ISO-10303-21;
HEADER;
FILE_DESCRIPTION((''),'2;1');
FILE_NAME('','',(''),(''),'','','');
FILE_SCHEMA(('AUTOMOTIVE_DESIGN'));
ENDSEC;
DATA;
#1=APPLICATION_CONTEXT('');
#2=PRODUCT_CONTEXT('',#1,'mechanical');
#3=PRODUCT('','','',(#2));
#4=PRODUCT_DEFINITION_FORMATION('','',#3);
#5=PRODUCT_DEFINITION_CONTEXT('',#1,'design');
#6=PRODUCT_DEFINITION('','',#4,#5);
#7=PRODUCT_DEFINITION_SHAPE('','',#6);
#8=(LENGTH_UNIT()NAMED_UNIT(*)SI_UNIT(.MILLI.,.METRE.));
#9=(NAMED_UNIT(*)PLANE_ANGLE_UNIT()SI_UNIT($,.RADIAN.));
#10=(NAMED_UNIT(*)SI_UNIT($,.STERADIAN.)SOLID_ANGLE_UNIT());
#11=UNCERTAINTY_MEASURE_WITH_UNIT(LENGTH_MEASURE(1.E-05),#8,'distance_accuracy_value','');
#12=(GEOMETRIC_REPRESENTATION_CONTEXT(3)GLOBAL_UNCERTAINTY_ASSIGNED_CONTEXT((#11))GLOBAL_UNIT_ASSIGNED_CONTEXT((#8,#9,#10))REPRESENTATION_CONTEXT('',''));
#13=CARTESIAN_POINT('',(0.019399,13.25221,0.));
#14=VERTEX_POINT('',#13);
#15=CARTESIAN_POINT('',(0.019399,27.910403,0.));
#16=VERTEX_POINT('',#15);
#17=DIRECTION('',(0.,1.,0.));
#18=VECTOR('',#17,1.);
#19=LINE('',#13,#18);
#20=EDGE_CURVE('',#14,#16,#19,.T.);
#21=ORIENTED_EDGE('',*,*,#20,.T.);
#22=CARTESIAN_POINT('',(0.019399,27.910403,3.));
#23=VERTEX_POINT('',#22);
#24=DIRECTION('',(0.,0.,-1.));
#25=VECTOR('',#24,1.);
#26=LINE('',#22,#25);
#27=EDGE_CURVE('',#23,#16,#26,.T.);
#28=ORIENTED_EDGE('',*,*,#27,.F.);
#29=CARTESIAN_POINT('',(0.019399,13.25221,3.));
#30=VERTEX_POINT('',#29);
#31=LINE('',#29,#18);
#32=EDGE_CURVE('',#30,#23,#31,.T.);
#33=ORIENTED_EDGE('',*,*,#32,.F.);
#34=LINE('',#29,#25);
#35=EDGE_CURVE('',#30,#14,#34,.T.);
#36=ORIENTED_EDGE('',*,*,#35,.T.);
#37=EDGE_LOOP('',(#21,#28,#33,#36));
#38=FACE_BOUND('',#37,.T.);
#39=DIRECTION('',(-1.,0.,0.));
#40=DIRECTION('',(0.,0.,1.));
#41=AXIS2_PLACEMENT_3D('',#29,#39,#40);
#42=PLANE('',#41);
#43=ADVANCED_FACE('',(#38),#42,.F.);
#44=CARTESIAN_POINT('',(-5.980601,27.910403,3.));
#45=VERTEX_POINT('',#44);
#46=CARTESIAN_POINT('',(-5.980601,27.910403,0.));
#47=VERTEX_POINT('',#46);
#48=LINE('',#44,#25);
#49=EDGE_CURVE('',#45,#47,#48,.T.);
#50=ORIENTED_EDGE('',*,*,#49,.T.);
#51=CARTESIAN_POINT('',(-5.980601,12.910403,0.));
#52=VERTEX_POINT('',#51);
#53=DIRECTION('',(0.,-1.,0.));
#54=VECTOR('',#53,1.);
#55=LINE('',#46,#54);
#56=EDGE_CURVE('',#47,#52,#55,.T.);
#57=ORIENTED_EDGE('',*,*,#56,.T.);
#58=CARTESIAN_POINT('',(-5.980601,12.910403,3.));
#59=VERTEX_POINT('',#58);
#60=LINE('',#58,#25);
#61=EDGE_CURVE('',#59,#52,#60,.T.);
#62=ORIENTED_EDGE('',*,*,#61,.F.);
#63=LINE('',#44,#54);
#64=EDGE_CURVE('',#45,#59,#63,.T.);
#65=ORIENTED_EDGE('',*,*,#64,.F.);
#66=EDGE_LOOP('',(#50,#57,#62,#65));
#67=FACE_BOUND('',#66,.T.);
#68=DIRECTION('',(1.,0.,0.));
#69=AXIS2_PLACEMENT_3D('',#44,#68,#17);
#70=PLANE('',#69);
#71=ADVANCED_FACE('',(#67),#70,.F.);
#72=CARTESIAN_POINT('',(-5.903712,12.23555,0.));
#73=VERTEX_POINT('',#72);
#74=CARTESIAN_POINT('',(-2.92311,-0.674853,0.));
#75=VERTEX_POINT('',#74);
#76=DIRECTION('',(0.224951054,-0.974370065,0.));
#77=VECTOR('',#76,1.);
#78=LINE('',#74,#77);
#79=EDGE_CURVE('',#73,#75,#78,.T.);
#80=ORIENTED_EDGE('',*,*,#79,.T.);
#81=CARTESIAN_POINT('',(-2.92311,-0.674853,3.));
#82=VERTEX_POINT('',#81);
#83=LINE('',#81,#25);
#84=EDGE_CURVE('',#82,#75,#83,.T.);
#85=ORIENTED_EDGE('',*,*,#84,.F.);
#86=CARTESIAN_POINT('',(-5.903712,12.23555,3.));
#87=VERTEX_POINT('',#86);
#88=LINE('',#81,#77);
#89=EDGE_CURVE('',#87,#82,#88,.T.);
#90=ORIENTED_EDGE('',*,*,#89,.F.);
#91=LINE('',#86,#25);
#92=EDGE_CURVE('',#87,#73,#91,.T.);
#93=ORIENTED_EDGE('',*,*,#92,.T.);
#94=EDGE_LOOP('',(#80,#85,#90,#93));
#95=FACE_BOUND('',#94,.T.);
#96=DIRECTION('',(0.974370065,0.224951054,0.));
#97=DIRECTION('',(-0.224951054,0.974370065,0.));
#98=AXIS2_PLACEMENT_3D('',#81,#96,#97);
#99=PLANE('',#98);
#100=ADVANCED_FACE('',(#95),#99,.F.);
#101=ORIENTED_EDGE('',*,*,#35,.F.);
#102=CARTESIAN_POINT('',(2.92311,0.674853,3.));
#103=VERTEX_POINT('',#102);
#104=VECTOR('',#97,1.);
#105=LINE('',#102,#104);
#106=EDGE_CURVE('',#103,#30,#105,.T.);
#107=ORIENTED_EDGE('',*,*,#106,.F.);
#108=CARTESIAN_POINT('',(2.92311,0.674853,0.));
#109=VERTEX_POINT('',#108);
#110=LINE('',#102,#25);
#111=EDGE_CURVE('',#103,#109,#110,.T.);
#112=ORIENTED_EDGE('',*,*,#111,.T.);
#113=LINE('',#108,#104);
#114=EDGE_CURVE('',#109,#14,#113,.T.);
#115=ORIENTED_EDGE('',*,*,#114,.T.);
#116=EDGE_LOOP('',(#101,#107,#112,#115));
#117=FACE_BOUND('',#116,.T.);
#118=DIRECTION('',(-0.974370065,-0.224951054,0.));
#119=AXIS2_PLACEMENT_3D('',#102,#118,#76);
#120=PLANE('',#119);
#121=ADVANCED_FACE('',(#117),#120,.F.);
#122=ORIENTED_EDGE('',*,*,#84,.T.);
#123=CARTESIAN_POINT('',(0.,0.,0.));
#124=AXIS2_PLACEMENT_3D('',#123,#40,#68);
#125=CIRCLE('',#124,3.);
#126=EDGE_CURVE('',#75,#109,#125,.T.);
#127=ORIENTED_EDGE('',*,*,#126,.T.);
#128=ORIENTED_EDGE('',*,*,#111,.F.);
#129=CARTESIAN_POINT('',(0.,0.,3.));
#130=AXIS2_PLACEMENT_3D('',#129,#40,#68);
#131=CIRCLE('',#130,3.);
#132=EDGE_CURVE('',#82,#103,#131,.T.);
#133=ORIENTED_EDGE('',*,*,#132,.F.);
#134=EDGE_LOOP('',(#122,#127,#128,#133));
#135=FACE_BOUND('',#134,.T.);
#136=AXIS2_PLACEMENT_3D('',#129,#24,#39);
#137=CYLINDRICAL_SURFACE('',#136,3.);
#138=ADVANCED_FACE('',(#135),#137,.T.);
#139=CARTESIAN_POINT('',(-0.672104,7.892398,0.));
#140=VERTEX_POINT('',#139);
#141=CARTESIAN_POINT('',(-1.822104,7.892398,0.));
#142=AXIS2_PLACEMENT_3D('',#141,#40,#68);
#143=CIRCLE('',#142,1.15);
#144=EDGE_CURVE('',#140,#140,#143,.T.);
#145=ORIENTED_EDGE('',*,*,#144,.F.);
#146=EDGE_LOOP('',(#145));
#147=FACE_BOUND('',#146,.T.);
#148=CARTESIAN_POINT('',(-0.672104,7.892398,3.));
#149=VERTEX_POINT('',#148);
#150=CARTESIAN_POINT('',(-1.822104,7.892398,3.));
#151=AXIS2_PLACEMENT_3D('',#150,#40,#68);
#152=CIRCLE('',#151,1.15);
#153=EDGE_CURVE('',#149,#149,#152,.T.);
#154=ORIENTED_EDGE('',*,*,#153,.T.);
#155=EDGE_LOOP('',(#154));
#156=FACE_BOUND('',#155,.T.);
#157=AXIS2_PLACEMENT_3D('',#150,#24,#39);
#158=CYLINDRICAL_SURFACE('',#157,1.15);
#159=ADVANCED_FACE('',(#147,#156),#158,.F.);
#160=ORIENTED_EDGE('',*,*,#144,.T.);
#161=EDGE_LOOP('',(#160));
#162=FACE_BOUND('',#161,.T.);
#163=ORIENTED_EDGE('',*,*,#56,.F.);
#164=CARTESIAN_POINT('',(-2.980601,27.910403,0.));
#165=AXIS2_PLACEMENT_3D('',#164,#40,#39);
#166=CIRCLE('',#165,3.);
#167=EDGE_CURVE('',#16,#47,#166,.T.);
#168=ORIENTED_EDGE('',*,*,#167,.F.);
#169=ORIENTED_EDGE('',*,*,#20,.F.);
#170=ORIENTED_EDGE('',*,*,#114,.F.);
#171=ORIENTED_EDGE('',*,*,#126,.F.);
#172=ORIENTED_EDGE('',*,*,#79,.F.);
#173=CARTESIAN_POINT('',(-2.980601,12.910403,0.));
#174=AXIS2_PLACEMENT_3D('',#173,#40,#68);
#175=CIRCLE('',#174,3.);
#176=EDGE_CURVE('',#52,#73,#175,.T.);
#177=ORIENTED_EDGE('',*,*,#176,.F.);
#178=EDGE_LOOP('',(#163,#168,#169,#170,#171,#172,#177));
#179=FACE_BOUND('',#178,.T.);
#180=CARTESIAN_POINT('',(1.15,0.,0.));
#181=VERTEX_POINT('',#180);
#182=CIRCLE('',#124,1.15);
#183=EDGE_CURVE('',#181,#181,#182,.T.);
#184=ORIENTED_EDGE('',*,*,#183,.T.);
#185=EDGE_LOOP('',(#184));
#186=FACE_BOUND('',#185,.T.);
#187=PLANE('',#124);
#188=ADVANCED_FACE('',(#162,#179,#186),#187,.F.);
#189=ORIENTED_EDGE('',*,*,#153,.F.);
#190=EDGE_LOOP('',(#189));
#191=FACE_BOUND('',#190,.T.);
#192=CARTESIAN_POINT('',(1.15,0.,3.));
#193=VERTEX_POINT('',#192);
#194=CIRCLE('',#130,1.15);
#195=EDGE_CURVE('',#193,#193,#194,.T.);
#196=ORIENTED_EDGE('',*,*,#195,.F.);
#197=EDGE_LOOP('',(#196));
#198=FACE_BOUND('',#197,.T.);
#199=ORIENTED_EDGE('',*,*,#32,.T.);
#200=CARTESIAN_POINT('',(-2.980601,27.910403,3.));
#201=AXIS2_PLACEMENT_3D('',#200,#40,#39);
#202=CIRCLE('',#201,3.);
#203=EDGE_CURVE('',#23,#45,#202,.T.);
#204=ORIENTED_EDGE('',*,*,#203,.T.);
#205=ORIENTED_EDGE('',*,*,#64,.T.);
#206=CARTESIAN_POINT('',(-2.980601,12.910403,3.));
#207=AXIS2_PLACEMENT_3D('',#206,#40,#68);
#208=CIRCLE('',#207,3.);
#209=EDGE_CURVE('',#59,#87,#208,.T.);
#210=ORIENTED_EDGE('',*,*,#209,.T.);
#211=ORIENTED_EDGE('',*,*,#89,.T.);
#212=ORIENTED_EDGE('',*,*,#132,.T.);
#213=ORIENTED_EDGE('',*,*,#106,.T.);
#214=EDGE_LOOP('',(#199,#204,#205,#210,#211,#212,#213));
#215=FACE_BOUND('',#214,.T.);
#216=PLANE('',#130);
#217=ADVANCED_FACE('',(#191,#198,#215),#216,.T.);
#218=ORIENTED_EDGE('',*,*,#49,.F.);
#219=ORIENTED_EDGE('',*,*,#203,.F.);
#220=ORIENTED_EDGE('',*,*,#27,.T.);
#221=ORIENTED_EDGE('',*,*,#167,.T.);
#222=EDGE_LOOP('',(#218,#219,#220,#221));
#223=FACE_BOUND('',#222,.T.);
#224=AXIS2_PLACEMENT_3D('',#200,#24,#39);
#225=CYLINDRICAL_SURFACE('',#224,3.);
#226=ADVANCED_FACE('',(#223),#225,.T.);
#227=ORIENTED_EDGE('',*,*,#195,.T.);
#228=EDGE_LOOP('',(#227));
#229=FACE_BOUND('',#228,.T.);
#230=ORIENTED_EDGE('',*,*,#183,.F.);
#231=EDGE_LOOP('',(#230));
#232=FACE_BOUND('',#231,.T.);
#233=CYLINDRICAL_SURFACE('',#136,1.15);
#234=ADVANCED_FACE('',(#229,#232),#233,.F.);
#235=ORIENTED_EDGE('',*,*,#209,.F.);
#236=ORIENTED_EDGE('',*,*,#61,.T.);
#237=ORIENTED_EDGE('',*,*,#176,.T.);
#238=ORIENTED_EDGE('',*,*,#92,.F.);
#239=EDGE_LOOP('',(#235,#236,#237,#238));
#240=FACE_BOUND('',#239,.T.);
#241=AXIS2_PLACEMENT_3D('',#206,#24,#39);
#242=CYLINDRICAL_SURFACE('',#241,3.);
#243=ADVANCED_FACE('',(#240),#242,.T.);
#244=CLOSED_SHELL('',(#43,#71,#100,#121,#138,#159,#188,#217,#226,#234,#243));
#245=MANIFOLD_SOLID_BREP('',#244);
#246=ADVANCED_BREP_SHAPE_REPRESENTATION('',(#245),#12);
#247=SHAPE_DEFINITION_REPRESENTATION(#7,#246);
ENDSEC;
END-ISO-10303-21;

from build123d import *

# Parameters (mm, degrees)
SKETCH1_R           = 1.15
BOSS_EXTRUDE1_DEPTH = 3


with BuildPart() as part:
    # Sketch1 → Boss-Extrude1 (new body)
    with BuildSketch(Plane.XY):
        with BuildLine():
            Line((-2.923110194, -0.674853163), (-5.903711664, 12.235550195))
            ThreePointArc((-5.903711664, 12.235550195), (-5.961317037, 12.570793717), (-5.98060147, 12.910403358))
            Line((-5.98060147, 12.910403358), (-5.98060147, 27.910403358))
            ThreePointArc((-5.98060147, 27.910403358), (-2.98060147, 30.910403358), (0.01939853, 27.910403358))
            Line((0.01939853, 27.910403358), (0.01939853, 13.252210183))
            Line((0.01939853, 13.252210183), (2.923110194, 0.674853163))
            ThreePointArc((2.923110194, 0.674853163), (0.674853163, -2.923110194), (-2.923110194, -0.674853163))
        make_face()
        Circle(SKETCH1_R, mode=Mode.SUBTRACT)
        with Locations((-1.82210354, 7.892397525)):
            Circle(SKETCH1_R, mode=Mode.SUBTRACT)
    extrude(amount=BOSS_EXTRUDE1_DEPTH)


solid = part.part
